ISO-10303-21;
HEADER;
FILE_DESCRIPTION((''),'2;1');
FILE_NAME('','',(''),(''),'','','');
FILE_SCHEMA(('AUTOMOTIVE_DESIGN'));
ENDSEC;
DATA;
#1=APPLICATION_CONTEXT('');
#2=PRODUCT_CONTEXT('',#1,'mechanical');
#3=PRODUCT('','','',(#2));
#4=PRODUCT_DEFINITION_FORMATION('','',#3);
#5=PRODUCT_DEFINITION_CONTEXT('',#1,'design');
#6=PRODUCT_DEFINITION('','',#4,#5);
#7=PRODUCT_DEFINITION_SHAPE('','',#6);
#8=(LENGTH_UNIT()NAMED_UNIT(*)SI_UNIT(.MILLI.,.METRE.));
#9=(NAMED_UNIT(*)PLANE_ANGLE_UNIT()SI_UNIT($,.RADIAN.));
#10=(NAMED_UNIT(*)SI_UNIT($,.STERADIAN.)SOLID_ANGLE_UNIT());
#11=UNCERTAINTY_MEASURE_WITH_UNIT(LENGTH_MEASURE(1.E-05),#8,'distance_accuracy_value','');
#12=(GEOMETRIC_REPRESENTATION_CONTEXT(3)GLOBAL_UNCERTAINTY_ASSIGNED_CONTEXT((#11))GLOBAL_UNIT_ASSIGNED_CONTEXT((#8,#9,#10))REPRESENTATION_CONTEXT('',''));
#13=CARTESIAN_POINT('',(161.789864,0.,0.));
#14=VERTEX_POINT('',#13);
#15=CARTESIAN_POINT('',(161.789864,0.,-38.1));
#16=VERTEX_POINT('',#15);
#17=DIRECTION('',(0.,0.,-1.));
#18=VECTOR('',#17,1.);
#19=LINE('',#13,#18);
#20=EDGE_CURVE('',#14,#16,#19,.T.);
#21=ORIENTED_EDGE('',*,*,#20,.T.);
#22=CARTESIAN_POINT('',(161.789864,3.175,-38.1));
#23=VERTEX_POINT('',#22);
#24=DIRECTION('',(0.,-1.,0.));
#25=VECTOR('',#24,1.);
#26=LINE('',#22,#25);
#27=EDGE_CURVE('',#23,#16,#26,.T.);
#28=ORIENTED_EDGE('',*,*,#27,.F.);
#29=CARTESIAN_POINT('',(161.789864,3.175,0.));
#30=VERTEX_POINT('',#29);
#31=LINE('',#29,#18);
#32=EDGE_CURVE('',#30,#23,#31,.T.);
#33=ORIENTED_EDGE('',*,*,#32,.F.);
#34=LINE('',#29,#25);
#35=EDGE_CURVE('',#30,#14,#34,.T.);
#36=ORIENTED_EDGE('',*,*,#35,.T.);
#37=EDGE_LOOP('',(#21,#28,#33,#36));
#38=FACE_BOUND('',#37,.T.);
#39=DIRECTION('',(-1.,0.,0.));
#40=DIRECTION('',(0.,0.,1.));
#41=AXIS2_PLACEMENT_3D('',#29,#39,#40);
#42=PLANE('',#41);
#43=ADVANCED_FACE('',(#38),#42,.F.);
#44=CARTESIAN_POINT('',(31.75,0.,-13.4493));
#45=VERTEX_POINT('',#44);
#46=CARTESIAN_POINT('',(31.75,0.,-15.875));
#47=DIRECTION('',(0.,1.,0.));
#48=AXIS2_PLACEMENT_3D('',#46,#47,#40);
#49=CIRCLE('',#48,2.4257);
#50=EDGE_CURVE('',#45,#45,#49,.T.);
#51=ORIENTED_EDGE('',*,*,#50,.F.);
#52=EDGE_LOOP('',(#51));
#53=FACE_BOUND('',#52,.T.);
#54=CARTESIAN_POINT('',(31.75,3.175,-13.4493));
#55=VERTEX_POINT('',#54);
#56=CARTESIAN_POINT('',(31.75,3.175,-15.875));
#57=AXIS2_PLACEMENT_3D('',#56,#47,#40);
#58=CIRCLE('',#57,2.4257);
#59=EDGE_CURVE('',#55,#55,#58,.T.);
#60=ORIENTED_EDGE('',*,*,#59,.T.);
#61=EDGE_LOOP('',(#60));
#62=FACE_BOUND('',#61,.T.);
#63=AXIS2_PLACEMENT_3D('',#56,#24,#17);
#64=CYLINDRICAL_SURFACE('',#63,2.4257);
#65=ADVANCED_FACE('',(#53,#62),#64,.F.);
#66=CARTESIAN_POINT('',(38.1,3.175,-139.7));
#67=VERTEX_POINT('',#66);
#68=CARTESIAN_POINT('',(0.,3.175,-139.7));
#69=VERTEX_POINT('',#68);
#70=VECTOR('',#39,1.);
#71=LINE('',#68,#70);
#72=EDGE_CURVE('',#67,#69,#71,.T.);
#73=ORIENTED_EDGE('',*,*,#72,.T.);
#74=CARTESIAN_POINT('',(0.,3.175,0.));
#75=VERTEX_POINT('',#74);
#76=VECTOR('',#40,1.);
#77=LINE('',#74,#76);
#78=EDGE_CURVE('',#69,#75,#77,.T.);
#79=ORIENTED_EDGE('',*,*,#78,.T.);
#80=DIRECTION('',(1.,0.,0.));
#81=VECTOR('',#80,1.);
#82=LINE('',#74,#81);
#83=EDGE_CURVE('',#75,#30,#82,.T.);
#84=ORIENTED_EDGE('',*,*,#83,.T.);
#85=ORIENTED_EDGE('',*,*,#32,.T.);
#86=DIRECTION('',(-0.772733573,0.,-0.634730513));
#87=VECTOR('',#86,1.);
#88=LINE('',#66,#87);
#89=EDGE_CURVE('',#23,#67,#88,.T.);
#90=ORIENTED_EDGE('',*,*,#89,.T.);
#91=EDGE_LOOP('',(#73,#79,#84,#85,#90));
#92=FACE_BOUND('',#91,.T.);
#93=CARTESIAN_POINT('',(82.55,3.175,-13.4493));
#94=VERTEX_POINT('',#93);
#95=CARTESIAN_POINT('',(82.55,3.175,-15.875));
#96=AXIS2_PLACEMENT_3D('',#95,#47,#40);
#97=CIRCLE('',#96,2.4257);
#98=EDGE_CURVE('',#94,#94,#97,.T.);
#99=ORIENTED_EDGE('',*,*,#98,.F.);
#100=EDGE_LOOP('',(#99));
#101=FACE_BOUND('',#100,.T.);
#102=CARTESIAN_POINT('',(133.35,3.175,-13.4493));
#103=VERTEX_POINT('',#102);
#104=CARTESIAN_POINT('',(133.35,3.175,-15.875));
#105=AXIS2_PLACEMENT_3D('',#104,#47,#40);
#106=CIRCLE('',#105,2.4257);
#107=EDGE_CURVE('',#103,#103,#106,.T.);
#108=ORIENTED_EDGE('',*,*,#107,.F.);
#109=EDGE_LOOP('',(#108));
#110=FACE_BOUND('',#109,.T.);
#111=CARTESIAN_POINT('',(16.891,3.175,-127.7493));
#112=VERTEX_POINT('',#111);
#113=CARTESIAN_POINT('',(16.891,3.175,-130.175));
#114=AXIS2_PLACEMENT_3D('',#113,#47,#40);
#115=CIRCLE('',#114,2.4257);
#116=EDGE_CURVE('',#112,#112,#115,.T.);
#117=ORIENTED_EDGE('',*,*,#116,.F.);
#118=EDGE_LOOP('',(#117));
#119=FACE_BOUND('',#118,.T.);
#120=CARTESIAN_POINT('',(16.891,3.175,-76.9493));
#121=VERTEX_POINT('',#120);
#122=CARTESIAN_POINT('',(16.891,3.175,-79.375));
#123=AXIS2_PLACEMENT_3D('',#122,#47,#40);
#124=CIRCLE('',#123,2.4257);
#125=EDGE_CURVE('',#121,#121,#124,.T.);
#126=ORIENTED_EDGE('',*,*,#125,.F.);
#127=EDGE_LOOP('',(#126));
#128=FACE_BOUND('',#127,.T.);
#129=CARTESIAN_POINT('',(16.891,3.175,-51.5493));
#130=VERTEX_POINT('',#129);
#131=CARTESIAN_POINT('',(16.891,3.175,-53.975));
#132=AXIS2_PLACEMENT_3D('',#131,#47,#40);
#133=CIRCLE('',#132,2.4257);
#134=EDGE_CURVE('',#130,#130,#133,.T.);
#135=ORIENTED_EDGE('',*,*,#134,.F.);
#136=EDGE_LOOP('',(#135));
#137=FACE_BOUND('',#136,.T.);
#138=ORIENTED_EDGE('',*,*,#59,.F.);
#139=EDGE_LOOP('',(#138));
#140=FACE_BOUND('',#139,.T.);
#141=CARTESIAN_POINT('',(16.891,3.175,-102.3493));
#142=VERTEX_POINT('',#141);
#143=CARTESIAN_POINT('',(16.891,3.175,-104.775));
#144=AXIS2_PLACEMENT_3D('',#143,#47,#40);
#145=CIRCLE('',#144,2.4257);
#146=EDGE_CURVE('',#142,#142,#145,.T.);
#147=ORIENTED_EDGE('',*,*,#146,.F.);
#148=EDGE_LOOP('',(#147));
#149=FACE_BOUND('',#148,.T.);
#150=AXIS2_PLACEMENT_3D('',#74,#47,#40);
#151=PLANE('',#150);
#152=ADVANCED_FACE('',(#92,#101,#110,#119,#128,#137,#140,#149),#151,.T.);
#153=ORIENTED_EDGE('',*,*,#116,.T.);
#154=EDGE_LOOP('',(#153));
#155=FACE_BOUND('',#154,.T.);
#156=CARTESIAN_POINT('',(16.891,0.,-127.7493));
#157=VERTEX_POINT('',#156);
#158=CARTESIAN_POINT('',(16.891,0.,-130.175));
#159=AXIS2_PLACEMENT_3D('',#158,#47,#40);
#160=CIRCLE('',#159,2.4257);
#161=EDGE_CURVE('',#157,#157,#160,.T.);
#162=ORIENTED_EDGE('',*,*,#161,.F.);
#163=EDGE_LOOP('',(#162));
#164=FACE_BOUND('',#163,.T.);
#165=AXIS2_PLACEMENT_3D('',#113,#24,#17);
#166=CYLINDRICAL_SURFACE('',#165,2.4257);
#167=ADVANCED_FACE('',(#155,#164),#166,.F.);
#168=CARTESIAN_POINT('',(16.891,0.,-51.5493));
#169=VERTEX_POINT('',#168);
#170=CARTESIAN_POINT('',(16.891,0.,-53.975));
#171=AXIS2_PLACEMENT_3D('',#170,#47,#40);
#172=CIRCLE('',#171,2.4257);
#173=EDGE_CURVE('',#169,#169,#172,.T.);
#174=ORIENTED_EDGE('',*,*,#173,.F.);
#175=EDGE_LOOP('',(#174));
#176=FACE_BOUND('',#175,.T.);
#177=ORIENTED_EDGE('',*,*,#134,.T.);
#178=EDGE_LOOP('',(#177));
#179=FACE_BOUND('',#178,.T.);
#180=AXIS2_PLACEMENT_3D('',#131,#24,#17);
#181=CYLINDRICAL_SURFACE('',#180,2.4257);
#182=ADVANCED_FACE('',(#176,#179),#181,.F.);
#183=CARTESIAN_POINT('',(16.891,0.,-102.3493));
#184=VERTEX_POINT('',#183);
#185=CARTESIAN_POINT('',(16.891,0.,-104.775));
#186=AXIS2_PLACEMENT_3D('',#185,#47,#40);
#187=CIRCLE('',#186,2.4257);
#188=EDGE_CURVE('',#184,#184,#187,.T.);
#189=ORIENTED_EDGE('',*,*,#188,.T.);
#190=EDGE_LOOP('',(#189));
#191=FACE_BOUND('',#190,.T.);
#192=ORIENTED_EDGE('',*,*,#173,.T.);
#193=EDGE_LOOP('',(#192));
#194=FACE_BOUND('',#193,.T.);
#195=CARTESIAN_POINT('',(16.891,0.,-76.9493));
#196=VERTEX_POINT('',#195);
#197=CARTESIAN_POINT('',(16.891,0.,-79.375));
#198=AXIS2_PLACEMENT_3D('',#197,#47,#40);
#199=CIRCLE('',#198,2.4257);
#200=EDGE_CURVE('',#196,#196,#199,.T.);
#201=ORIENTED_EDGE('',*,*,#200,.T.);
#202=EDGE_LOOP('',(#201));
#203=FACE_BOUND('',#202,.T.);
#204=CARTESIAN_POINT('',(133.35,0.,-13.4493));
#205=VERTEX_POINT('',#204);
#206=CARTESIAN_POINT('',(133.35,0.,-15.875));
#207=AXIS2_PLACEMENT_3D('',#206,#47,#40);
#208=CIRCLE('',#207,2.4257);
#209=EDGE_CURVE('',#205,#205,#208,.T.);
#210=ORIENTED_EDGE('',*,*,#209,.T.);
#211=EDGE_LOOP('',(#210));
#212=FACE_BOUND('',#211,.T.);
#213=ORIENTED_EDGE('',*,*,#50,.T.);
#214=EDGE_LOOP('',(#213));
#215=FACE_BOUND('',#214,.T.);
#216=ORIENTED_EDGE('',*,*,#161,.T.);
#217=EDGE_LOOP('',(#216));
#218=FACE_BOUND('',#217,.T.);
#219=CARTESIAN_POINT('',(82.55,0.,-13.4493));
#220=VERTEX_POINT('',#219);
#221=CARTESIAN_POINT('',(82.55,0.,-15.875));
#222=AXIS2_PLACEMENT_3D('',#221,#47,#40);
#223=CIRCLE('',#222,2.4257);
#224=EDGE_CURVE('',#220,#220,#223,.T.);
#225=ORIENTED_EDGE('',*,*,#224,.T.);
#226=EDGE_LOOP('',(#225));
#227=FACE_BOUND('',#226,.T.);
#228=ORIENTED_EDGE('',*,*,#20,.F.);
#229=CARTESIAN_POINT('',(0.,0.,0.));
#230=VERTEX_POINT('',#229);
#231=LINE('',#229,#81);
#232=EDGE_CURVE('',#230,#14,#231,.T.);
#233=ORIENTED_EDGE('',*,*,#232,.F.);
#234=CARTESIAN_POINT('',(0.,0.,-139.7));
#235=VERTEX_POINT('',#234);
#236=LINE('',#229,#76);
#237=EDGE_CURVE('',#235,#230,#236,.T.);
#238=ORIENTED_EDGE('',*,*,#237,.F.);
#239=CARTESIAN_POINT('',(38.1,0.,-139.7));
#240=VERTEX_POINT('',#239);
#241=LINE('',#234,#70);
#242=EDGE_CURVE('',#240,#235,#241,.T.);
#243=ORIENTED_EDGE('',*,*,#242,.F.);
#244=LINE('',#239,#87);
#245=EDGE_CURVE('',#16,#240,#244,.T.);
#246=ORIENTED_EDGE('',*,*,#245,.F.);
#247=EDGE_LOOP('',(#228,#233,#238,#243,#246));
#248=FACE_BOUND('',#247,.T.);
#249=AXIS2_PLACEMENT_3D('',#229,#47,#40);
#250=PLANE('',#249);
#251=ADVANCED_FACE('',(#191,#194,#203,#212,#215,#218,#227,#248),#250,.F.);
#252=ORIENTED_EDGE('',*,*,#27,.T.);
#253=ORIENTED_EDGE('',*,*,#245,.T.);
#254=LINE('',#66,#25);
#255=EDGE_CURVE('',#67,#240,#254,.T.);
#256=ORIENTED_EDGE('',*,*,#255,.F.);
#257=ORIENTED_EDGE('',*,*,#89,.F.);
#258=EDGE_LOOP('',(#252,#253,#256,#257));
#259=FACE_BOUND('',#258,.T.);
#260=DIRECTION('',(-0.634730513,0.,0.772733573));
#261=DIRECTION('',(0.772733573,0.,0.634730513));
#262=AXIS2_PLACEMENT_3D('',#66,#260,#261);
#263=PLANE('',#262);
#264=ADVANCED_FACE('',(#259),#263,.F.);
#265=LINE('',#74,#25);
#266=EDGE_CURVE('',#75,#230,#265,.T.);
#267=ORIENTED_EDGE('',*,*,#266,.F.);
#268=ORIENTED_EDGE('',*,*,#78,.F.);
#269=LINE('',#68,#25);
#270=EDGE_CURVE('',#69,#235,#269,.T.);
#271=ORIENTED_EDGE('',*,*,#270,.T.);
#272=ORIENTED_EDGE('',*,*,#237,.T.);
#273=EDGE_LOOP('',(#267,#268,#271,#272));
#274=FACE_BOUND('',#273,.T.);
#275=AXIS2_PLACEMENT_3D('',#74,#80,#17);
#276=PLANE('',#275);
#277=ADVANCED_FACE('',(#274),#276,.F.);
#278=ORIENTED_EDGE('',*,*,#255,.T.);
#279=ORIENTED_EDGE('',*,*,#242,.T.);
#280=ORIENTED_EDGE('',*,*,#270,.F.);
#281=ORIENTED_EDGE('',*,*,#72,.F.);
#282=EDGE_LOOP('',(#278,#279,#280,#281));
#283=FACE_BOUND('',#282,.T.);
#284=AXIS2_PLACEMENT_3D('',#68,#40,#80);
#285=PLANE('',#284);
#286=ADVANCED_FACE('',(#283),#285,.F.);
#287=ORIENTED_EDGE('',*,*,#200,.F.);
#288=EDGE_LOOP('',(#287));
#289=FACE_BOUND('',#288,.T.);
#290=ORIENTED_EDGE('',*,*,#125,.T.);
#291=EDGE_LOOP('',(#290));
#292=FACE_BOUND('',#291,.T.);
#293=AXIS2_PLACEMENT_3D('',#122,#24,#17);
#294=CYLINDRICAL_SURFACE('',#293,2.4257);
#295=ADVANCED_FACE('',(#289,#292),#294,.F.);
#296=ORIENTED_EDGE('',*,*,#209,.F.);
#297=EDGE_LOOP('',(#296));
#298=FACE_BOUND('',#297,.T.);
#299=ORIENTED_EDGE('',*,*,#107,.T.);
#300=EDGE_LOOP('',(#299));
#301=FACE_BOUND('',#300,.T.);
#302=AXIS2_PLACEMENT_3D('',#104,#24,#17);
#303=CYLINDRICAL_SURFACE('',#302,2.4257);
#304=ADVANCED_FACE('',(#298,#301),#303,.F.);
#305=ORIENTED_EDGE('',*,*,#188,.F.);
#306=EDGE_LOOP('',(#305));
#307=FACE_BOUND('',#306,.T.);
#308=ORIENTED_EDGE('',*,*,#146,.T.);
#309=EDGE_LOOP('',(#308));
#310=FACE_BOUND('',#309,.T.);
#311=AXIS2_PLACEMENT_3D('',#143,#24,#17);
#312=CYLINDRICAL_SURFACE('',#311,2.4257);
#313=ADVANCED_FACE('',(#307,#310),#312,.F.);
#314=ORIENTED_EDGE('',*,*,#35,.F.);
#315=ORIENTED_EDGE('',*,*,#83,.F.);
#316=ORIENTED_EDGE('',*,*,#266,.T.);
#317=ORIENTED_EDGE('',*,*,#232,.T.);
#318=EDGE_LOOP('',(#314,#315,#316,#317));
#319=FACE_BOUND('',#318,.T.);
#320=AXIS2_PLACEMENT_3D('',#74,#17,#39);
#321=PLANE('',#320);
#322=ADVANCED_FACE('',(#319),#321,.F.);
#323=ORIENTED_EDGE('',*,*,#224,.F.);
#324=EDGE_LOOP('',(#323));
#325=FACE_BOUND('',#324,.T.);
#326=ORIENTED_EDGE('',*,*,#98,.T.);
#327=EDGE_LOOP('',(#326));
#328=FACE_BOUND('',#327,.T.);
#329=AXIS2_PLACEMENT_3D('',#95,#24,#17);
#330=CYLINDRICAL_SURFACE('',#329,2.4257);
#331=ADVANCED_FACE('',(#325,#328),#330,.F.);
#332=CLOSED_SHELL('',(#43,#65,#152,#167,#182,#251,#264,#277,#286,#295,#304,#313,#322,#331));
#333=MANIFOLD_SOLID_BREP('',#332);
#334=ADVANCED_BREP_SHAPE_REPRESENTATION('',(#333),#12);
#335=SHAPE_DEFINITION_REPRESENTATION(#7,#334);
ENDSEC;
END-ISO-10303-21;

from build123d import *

# Parameters (mm, degrees)
SKETCH1_R           = 2.4257
BOSS_EXTRUDE1_DEPTH = 3.175


with BuildPart() as part:
    # Sketch1 → Boss-Extrude1 (new body)
    with BuildSketch(Plane(origin=(0, 0, 0), x_dir=(1, 0, 0), z_dir=(0, 1, 0))):
        Polygon((0, 0), (0, 139.7), (38.1, 139.7), (161.789864335, 38.1), (161.789864335, 0), align=None)
        with Locations(Location((31.75, 15.875, 0), (0, 0, 270))):
            Circle(SKETCH1_R, mode=Mode.SUBTRACT)
        with Locations(Location((82.55, 15.875, 0), (0, 0, 270))):
            Circle(SKETCH1_R, mode=Mode.SUBTRACT)
        with Locations(Location((133.35, 15.875, 0), (0, 0, 270))):
            Circle(SKETCH1_R, mode=Mode.SUBTRACT)
        with Locations(Location((16.891, 53.975, 0), (0, 0, 270))):
            Circle(SKETCH1_R, mode=Mode.SUBTRACT)
        with Locations(Location((16.891, 79.375, 0), (0, 0, 270))):
            Circle(SKETCH1_R, mode=Mode.SUBTRACT)
        with Locations(Location((16.891, 104.775, 0), (0, 0, 270))):
            Circle(SKETCH1_R, mode=Mode.SUBTRACT)
        with Locations(Location((16.891, 130.175, 0), (0, 0, 270))):
            Circle(SKETCH1_R, mode=Mode.SUBTRACT)
    extrude(amount=BOSS_EXTRUDE1_DEPTH)


solid = part.part
